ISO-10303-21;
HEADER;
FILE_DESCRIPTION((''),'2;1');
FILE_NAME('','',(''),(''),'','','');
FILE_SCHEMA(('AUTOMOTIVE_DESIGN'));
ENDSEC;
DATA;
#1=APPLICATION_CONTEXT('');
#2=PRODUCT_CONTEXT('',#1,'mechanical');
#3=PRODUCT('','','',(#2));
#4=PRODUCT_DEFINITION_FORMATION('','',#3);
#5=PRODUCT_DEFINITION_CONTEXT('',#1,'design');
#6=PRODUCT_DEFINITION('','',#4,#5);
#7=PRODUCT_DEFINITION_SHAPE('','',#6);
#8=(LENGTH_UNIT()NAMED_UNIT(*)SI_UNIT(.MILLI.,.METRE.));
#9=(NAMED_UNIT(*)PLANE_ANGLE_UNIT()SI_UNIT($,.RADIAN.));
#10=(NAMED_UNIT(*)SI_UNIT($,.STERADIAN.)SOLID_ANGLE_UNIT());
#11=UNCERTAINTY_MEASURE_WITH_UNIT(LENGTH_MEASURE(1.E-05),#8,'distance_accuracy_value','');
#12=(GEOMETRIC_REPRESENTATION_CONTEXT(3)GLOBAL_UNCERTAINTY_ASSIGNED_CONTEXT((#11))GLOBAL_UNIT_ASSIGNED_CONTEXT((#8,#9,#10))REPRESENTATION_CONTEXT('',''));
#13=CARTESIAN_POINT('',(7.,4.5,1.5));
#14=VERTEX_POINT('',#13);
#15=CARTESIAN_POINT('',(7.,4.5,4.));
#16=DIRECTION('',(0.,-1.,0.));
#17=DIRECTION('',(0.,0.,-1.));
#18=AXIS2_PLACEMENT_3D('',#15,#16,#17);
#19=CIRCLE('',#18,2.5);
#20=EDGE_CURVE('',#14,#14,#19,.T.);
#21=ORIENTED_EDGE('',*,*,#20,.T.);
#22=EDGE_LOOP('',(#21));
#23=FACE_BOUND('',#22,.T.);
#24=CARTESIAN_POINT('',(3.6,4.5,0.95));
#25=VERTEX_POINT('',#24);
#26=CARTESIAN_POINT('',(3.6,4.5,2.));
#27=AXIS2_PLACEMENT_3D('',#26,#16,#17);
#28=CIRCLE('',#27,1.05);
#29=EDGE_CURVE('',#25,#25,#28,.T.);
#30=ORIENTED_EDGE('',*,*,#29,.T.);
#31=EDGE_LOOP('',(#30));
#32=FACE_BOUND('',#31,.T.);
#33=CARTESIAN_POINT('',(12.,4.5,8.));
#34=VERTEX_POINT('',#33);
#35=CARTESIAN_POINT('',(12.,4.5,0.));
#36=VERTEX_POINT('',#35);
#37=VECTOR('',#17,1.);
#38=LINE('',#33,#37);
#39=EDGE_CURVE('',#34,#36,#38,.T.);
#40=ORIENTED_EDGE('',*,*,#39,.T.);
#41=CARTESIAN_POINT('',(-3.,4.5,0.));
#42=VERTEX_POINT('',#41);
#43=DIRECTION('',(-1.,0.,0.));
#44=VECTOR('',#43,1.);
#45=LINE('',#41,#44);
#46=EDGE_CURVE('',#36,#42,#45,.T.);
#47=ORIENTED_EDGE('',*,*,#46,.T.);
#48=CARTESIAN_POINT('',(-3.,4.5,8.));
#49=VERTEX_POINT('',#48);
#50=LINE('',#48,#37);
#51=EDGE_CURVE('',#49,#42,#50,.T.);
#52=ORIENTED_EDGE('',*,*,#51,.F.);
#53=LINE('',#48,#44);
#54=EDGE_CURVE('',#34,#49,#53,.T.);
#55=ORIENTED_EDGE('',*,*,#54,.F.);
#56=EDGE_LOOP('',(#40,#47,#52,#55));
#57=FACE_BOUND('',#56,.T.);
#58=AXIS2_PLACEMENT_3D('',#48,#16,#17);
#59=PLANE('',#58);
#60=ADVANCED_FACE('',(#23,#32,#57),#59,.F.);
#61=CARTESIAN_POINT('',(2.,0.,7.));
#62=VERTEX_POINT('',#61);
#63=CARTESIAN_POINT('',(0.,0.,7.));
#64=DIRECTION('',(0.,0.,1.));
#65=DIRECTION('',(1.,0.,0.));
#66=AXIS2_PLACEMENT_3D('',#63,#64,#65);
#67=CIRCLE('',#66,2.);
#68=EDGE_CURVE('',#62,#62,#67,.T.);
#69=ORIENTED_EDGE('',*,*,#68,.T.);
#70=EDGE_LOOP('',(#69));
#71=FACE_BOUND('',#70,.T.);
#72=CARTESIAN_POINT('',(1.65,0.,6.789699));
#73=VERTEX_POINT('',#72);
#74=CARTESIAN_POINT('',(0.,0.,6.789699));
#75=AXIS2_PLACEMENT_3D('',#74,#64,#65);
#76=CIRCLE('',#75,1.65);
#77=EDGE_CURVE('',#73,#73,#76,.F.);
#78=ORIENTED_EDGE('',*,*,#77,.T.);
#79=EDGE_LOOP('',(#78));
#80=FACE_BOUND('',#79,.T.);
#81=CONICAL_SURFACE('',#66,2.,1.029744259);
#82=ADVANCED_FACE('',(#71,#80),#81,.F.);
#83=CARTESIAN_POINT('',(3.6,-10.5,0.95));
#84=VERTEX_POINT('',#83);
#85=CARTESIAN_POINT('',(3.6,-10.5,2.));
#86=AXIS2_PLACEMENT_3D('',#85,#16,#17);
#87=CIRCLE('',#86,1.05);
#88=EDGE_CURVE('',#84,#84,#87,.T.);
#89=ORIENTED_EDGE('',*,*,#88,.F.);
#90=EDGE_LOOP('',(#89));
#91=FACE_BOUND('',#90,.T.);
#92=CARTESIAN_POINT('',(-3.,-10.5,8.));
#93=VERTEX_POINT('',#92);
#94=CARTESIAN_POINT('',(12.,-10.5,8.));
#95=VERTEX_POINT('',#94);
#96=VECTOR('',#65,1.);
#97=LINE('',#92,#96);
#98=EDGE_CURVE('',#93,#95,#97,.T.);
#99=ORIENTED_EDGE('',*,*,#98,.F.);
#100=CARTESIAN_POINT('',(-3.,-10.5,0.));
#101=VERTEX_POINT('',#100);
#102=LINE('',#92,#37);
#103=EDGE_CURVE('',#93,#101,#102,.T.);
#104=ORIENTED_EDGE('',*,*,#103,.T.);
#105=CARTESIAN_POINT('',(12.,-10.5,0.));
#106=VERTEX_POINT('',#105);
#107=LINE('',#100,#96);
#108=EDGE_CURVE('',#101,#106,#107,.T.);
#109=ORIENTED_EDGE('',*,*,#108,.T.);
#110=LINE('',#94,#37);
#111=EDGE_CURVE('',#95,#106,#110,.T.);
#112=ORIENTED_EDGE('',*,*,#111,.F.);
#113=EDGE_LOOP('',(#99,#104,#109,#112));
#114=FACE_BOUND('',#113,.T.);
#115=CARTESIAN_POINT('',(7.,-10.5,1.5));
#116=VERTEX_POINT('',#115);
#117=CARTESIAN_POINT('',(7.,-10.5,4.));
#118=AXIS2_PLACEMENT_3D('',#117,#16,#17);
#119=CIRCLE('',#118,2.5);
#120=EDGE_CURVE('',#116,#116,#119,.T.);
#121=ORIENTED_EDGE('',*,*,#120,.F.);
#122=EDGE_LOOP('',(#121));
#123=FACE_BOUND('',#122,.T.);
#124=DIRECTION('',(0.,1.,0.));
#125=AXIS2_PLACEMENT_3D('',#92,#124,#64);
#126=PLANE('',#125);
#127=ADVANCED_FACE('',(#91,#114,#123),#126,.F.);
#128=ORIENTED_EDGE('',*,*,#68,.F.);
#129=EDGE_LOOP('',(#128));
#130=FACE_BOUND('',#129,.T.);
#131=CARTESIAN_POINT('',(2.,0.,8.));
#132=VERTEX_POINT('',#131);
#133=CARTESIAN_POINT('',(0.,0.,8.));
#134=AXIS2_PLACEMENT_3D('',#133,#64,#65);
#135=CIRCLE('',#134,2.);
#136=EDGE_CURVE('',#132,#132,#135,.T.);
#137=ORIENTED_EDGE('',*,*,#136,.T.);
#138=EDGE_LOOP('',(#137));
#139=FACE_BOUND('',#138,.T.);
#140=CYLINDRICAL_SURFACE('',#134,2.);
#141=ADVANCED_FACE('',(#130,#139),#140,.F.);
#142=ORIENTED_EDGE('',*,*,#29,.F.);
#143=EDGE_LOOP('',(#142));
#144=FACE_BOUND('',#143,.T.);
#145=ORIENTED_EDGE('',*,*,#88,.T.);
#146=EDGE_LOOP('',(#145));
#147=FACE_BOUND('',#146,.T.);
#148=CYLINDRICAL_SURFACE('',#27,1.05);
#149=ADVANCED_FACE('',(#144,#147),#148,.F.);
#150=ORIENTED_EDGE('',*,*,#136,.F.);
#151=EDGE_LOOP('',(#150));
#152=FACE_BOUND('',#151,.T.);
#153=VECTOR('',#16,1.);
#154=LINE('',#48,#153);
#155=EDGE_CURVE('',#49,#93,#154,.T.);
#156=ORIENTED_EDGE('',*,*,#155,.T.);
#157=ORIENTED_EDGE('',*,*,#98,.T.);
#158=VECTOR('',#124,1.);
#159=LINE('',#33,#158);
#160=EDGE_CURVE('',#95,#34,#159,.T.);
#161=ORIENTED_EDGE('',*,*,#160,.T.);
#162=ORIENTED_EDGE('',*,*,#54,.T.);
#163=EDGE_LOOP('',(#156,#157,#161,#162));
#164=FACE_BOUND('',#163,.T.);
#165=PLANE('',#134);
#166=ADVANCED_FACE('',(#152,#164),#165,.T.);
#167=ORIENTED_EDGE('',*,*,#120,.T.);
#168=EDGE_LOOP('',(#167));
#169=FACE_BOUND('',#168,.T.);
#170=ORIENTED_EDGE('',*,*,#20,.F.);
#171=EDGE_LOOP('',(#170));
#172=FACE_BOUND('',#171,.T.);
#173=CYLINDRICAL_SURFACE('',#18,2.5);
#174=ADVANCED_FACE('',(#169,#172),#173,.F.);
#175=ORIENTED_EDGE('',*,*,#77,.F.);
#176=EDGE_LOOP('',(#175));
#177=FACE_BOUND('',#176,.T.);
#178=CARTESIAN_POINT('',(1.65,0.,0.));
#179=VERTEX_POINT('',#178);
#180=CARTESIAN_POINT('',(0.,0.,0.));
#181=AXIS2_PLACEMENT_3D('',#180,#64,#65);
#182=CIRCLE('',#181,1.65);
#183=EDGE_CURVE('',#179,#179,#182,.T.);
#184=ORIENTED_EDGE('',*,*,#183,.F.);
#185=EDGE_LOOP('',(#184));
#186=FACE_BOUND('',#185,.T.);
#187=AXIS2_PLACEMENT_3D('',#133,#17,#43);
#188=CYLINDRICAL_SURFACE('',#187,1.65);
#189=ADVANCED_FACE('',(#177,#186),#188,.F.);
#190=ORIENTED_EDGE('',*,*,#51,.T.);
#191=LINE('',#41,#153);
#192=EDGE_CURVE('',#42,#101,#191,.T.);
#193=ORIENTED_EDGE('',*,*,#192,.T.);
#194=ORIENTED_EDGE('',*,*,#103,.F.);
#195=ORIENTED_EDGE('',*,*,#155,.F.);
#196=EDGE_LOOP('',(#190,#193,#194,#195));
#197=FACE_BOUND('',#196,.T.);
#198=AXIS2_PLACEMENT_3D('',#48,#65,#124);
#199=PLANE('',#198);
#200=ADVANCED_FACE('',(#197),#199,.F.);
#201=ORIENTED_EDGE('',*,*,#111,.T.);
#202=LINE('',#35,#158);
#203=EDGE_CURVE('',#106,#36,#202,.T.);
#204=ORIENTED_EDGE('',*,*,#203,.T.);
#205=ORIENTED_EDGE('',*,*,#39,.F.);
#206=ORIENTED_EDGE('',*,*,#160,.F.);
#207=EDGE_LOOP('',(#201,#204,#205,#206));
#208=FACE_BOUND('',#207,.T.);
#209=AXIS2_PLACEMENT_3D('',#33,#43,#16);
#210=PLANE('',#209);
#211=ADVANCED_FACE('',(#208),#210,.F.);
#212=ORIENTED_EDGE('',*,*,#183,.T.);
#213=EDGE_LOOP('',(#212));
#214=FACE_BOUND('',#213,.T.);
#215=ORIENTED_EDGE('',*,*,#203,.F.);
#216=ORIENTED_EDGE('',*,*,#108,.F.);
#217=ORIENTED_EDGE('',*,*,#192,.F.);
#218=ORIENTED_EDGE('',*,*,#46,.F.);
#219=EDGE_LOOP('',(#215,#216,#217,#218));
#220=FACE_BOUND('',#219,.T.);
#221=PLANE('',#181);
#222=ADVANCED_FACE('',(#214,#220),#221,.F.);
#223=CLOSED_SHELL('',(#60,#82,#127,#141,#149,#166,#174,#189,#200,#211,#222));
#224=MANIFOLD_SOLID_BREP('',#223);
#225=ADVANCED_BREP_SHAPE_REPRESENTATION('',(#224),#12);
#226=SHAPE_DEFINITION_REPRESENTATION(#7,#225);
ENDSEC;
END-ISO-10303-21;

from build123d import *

# Parameters (mm, degrees)
SKETCH1_W                    = 15
SKETCH1_H                    = 15
SKETCH1_R                    = 1.65
BOSS_EXTRUDE1_DEPTH          = 8
SKETCH2_R                    = 2.5
CUT_EXTRUDE1_DEPTH           = 16
SKETCH3_R                    = 1.05
CUT_EXTRUDE2_DEPTH           = 16
F_4_0_4_DIAMETER_HOLE1_D     = 4
F_4_0_4_DIAMETER_HOLE1_DEPTH = 1
F_4_0_4_DIAMETER_HOLE1_TIP   = 1.201721238


with BuildPart() as part:
    # Sketch1 → Boss-Extrude1 (new body)
    with BuildSketch(Plane.XY):
        with Locations((4.5, -3)):
            Rectangle(SKETCH1_W, SKETCH1_H)
        Circle(SKETCH1_R, mode=Mode.SUBTRACT)
    extrude(amount=BOSS_EXTRUDE1_DEPTH)

    # Sketch2 → Cut-Extrude1 (cut, through all)
    with BuildSketch(Plane.XZ.offset(10.5)):
        with Locations((7, 4)):
            Circle(SKETCH2_R)
    extrude(amount=-CUT_EXTRUDE1_DEPTH, mode=Mode.SUBTRACT)

    # Sketch3 → Cut-Extrude2 (cut, through all)
    with BuildSketch(Plane.XZ.offset(10.5)):
        with Locations((3.6, 2)):
            Circle(SKETCH3_R)
    extrude(amount=-CUT_EXTRUDE2_DEPTH, mode=Mode.SUBTRACT)

    # Ø4.0 (4) Diameter Hole1
    with Locations(Plane.XY.offset(8)):
        with Locations((0, 0)):
            Hole(F_4_0_4_DIAMETER_HOLE1_D / 2, depth=F_4_0_4_DIAMETER_HOLE1_DEPTH)
            with Locations((0, 0, -(F_4_0_4_DIAMETER_HOLE1_DEPTH + F_4_0_4_DIAMETER_HOLE1_TIP / 2))):  # 118° drill point
                Cone(0, F_4_0_4_DIAMETER_HOLE1_D / 2, F_4_0_4_DIAMETER_HOLE1_TIP, mode=Mode.SUBTRACT)


solid = part.part
